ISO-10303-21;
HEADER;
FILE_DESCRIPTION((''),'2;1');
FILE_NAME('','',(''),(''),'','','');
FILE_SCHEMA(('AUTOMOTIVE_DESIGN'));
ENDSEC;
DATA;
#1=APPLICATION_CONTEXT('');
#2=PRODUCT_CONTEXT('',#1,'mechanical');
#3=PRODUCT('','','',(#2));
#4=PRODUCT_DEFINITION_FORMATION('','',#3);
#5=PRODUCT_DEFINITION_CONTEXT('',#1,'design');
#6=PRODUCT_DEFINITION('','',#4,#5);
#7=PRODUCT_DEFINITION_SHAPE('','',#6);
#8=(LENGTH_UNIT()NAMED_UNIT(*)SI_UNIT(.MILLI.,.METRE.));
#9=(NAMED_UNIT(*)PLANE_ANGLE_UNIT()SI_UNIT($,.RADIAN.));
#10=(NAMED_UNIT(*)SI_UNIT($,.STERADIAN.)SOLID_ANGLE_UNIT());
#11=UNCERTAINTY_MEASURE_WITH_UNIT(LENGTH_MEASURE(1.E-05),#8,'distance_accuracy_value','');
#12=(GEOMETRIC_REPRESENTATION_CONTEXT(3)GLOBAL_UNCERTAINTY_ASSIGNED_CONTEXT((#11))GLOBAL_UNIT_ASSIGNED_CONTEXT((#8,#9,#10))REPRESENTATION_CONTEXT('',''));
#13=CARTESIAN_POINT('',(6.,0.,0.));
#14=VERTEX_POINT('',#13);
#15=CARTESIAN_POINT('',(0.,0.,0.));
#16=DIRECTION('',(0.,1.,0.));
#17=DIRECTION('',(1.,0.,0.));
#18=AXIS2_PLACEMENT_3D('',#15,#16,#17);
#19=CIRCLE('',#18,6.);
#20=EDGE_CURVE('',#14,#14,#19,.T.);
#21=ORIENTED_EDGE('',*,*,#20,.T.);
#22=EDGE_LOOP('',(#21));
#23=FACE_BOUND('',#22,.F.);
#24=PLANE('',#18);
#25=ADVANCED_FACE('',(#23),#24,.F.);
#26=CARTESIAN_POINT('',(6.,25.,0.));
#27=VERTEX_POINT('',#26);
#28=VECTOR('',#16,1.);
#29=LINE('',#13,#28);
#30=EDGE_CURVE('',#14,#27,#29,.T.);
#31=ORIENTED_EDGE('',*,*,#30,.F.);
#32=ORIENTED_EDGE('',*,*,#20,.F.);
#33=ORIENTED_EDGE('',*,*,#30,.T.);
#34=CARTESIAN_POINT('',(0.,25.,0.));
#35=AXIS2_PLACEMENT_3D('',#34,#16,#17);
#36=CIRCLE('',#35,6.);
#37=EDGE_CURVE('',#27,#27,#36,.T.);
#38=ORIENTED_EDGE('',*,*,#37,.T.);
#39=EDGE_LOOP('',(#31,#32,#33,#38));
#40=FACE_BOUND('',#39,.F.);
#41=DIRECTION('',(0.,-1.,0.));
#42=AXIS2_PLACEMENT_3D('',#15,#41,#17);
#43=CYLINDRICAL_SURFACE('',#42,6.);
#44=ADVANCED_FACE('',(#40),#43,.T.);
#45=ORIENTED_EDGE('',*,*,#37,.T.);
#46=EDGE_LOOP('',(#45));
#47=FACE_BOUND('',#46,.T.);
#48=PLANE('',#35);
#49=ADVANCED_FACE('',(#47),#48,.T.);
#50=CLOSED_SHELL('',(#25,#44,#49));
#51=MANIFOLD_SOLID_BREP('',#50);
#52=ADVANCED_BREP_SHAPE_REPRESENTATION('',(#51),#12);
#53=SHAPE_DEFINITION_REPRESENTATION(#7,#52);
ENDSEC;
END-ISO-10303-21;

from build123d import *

# Parameters (mm, degrees)
SKETCH1_R           = 6
BOSS_EXTRUDE1_DEPTH = 25


with BuildPart() as part:
    # Sketch1 → Boss-Extrude1 (new body)
    with BuildSketch(Plane(origin=(0, 0, 0), x_dir=(1, 0, 0), z_dir=(0, 1, 0))):
        Circle(SKETCH1_R)
    extrude(amount=BOSS_EXTRUDE1_DEPTH)


solid = part.part
